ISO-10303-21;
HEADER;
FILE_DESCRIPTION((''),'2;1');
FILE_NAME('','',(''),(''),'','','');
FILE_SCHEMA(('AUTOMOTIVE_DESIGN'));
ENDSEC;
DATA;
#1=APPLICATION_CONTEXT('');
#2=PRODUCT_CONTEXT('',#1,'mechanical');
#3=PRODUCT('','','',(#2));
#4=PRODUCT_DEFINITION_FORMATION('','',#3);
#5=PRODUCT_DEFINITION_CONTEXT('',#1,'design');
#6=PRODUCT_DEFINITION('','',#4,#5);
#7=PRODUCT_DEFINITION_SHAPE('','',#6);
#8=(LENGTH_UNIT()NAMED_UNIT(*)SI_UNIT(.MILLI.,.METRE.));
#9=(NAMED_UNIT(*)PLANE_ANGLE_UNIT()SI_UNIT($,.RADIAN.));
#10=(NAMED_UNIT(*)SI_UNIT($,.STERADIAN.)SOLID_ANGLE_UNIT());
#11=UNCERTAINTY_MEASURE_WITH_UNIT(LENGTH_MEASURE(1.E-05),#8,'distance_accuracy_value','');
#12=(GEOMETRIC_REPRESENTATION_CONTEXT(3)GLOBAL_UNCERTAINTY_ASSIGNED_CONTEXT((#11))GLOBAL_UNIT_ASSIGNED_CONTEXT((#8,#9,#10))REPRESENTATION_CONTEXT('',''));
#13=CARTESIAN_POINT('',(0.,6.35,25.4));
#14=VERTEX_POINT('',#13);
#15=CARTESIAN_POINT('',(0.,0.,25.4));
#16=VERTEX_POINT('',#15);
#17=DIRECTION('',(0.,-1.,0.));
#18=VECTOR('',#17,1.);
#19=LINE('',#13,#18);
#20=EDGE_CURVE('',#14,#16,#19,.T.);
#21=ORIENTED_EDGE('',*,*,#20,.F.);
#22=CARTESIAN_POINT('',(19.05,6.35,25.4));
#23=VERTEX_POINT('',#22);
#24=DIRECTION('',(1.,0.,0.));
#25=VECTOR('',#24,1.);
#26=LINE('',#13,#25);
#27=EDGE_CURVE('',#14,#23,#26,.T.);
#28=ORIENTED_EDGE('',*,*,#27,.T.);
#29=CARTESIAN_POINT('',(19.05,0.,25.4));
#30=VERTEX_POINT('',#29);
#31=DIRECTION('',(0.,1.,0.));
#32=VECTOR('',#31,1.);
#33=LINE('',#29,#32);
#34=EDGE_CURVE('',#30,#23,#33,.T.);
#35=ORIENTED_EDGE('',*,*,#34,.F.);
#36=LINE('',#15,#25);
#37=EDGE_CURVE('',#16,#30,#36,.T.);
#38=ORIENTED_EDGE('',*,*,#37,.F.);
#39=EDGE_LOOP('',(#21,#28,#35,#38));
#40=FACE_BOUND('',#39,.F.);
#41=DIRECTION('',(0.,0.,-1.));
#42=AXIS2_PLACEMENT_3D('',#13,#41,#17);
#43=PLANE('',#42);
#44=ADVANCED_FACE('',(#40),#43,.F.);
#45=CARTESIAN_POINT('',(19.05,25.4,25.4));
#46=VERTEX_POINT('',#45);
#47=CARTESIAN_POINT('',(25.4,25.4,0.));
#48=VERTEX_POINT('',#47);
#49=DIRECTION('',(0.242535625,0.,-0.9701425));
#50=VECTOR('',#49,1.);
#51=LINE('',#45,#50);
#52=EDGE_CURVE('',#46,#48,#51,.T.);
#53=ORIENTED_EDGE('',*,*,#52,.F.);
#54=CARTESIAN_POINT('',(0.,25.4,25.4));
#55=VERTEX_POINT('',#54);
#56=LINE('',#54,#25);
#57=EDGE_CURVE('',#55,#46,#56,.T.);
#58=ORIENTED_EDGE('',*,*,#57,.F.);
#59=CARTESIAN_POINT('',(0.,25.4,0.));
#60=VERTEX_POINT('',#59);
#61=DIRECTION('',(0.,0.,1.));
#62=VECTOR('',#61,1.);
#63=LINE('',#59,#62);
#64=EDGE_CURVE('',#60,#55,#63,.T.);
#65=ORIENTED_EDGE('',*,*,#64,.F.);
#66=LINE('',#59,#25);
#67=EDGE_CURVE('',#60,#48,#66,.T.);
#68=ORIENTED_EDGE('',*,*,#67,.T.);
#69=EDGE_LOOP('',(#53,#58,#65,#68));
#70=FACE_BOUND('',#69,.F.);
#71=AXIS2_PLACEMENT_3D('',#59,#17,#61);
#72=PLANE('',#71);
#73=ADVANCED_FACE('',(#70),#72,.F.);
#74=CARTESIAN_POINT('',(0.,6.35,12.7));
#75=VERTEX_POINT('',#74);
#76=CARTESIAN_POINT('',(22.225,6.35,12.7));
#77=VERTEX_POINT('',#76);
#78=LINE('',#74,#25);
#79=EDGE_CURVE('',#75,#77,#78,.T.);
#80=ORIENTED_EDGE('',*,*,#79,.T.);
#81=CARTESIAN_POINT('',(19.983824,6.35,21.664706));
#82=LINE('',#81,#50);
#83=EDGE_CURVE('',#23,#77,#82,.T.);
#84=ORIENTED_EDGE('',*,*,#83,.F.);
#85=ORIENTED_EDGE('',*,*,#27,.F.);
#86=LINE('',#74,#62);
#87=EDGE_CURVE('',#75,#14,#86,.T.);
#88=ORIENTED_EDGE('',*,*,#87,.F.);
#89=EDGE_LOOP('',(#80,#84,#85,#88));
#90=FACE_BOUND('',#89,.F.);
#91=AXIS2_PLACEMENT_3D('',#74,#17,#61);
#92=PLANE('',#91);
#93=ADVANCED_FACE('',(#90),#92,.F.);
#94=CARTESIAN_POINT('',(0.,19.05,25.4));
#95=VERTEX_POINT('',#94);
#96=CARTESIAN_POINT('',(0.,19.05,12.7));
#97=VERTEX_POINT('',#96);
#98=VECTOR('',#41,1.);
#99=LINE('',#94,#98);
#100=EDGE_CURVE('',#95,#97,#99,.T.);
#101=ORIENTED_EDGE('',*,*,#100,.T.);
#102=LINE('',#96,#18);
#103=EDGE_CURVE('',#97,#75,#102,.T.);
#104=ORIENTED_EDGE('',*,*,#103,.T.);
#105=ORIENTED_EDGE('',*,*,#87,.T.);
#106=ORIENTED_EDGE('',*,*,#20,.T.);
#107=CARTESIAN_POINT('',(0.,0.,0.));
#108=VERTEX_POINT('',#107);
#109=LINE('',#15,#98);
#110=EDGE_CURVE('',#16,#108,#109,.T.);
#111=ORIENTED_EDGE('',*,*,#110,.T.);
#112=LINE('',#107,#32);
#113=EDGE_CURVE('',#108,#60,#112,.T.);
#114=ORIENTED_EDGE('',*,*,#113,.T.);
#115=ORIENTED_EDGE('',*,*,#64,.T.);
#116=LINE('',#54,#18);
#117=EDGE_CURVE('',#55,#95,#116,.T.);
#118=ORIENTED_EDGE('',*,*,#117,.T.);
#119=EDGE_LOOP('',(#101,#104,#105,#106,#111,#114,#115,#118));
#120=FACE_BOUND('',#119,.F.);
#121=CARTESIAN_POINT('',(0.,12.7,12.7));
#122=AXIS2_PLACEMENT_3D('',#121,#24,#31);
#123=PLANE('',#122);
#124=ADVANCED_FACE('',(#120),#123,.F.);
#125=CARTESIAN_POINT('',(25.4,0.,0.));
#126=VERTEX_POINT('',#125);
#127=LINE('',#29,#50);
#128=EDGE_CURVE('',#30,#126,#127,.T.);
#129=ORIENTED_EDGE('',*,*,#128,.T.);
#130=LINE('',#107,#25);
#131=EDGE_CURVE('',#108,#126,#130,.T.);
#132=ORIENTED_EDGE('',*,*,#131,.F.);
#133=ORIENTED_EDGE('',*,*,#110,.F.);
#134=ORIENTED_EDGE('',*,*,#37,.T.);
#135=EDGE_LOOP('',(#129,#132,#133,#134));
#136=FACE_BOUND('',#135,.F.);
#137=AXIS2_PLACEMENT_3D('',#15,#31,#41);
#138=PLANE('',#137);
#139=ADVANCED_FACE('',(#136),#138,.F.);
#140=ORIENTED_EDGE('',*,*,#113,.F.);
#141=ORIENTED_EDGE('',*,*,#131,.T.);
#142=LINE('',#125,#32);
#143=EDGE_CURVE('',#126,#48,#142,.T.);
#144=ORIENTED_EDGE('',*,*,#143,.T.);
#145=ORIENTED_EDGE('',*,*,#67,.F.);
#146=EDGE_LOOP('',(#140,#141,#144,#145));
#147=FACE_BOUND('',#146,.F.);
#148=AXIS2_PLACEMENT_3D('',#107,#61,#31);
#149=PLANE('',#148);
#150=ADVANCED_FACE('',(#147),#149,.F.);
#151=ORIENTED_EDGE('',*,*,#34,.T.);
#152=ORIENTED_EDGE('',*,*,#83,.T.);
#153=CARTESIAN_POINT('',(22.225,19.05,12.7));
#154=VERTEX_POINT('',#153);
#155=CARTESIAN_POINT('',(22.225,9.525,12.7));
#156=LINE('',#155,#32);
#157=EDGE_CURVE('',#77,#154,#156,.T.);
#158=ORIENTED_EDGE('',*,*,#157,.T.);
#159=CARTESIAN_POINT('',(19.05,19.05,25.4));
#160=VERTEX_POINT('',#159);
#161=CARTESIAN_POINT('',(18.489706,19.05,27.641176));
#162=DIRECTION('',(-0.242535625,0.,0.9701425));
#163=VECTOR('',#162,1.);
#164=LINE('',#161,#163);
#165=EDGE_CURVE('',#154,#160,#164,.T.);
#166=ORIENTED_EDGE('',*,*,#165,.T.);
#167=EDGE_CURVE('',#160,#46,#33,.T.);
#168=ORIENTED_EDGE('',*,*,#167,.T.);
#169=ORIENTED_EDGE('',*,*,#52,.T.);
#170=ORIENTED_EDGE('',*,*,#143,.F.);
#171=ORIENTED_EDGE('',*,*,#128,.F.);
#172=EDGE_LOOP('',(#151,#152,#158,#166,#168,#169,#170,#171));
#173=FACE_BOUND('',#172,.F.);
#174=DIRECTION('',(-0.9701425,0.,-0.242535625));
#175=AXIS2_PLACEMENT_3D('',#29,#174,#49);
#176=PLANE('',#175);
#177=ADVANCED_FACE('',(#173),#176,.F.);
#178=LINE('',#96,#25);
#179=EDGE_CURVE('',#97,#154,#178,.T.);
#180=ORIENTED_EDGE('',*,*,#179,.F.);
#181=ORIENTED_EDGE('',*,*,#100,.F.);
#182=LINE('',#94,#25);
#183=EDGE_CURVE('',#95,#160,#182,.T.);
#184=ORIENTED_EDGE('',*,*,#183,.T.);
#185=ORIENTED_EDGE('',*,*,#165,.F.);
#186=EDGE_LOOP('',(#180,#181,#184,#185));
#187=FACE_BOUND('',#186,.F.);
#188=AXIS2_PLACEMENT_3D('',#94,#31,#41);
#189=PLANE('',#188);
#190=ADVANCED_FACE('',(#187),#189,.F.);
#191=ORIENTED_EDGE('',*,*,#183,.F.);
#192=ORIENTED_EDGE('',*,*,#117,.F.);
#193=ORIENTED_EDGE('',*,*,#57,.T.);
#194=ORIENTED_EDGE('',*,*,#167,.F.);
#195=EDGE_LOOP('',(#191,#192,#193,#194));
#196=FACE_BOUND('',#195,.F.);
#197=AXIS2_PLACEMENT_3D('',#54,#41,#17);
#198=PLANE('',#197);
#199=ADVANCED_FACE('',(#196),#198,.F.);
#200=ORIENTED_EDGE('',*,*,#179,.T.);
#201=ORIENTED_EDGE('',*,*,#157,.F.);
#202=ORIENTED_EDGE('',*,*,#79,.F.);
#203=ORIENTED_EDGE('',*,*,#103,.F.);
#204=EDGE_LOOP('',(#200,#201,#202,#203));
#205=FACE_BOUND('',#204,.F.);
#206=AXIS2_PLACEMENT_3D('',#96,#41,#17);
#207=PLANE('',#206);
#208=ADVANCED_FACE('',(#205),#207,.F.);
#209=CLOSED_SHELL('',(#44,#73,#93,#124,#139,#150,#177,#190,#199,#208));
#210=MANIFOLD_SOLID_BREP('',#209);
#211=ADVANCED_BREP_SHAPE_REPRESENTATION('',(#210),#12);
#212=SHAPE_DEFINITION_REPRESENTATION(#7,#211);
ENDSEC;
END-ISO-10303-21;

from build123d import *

# Parameters (mm, degrees)
F1_DEPTH = 25.4
F3_DEPTH = 25.4


with BuildPart() as f1:
    # F0 (on Right) → F1 (new body)
    with BuildSketch(Plane.YZ):
        Polygon((0, 25.4), (0, 0), (25.4, 0), (25.4, 25.4), (19.05, 25.4), (19.05, 12.7), (6.35, 12.7), (6.35, 25.4), align=None)
    extrude(amount=F1_DEPTH)

    # F2 (on face) → F3 (cut)
    with BuildSketch(Plane.XZ):
        Polygon((25.4, 25.4), (19.05, 25.4), (25.4, 0), align=None)
    extrude(amount=-F3_DEPTH, mode=Mode.SUBTRACT)


solid = f1.part
